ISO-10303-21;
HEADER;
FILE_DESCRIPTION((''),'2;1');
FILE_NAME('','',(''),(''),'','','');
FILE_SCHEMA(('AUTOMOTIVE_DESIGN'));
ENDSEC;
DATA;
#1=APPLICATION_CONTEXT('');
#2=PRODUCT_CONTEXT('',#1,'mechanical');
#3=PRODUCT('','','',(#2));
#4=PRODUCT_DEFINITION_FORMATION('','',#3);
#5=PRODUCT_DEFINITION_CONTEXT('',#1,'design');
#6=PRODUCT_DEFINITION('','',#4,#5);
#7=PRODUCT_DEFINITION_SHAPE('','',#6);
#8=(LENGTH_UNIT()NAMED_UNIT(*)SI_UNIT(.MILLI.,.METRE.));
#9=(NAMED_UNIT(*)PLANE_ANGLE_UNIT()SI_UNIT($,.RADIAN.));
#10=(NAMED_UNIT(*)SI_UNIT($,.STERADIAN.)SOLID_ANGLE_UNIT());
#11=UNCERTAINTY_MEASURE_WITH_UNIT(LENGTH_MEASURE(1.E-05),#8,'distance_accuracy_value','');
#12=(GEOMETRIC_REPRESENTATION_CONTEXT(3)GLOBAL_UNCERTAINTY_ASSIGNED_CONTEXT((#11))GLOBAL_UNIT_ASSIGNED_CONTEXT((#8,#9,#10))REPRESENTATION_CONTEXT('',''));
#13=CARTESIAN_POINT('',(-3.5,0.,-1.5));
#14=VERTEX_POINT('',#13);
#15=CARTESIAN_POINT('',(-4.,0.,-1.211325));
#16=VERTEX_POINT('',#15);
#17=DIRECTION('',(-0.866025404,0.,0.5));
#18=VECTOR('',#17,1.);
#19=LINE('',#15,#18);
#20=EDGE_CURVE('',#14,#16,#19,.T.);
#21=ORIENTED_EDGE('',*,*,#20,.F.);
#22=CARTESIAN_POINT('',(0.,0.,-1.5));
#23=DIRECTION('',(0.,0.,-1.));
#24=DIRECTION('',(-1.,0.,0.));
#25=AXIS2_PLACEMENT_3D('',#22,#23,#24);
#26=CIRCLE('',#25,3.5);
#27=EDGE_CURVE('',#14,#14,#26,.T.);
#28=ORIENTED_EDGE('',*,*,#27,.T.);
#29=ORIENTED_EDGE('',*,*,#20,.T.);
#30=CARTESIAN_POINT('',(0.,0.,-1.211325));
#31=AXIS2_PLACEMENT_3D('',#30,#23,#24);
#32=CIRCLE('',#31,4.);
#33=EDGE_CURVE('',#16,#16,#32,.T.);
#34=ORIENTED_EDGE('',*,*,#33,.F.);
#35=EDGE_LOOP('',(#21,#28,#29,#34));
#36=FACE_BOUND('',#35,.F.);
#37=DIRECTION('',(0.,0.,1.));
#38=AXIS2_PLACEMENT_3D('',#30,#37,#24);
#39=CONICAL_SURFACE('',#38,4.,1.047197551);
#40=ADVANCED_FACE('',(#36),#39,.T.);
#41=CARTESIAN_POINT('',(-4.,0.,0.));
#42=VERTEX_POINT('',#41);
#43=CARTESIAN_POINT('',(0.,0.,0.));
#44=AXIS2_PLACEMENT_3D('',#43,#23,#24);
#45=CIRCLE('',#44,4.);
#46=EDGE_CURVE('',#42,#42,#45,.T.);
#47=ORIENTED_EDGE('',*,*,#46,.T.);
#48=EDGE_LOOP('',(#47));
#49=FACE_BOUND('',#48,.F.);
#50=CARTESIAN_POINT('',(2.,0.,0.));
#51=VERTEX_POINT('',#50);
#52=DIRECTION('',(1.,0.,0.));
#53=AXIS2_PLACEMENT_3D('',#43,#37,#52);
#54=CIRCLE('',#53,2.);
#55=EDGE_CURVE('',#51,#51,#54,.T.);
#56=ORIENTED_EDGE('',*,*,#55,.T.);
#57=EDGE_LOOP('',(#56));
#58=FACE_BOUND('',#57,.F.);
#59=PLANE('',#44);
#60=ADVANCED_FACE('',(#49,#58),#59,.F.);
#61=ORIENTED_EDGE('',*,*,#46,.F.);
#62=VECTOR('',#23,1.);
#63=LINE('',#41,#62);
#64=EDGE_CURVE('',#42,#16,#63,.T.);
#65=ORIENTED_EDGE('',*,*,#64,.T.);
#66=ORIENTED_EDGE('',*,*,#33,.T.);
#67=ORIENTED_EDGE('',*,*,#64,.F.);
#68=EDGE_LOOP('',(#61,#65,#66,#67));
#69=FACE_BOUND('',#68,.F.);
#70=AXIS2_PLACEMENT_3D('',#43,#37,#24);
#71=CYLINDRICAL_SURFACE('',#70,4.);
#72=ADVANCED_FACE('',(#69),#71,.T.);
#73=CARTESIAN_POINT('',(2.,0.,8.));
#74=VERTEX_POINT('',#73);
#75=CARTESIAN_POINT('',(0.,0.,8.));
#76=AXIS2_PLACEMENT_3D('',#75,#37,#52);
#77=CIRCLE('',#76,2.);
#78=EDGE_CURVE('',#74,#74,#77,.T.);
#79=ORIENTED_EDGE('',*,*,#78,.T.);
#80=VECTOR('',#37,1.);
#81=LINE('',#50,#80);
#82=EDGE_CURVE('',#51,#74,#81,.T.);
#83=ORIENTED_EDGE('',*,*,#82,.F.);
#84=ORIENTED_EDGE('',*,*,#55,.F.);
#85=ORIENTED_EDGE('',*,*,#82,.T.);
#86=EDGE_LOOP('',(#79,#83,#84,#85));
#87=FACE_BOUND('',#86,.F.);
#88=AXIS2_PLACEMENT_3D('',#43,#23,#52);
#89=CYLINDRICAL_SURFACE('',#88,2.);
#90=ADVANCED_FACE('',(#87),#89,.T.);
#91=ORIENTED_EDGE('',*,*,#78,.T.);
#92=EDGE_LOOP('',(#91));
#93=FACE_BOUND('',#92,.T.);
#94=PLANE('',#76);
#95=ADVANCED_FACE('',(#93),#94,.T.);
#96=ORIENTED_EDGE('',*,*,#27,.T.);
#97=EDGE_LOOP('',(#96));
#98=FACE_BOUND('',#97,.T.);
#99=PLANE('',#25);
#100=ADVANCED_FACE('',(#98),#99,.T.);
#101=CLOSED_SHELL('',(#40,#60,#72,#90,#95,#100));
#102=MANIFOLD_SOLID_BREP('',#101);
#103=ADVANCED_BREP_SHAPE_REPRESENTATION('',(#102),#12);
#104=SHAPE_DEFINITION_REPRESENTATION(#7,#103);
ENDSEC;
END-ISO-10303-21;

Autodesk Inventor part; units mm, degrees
ref_plane "YZ Plane" through (0, 0, 0) normal (1, 0, 0) x (0, 1, 0)
ref_plane "XZ Plane" through (0, 0, 0) normal (0, 1, 0) x (-1, 0, 0)
ref_plane "XY Plane" through (0, 0, 0) normal (0, 0, 1) x (1, 0, 0)
sketch "スケッチ1" plane through (0, 0, 0) normal (0, 0, 1) x (1, 0, 0)
  circle A0 centre (0, 0) radius 2
  dimension "d0" = 4
extrude "押し出し1" add sketch "スケッチ1" along normal blind 8
sketch "スケッチ2" plane through (0, 0, 0) normal (0, 0, -1) x (-1, 0, 0)
  circle A0 centre (0, 0) radius 4
  dimension "d3" = 8
extrude "押し出し2" add sketch "スケッチ2" along normal blind 1.5
thread "ねじ1" size "M4x0.7" class "6g" standard "ANSI Metric M Profile" full length
chamfer "面取り1" distance 0.5 angle 30 1 edges at (4, 0, -1.5) measured on face at (-0.7574, 1.0973, -1.5)
properties part number "ネジローヘッドm4,08" material "鋼、高強度、低合金"
